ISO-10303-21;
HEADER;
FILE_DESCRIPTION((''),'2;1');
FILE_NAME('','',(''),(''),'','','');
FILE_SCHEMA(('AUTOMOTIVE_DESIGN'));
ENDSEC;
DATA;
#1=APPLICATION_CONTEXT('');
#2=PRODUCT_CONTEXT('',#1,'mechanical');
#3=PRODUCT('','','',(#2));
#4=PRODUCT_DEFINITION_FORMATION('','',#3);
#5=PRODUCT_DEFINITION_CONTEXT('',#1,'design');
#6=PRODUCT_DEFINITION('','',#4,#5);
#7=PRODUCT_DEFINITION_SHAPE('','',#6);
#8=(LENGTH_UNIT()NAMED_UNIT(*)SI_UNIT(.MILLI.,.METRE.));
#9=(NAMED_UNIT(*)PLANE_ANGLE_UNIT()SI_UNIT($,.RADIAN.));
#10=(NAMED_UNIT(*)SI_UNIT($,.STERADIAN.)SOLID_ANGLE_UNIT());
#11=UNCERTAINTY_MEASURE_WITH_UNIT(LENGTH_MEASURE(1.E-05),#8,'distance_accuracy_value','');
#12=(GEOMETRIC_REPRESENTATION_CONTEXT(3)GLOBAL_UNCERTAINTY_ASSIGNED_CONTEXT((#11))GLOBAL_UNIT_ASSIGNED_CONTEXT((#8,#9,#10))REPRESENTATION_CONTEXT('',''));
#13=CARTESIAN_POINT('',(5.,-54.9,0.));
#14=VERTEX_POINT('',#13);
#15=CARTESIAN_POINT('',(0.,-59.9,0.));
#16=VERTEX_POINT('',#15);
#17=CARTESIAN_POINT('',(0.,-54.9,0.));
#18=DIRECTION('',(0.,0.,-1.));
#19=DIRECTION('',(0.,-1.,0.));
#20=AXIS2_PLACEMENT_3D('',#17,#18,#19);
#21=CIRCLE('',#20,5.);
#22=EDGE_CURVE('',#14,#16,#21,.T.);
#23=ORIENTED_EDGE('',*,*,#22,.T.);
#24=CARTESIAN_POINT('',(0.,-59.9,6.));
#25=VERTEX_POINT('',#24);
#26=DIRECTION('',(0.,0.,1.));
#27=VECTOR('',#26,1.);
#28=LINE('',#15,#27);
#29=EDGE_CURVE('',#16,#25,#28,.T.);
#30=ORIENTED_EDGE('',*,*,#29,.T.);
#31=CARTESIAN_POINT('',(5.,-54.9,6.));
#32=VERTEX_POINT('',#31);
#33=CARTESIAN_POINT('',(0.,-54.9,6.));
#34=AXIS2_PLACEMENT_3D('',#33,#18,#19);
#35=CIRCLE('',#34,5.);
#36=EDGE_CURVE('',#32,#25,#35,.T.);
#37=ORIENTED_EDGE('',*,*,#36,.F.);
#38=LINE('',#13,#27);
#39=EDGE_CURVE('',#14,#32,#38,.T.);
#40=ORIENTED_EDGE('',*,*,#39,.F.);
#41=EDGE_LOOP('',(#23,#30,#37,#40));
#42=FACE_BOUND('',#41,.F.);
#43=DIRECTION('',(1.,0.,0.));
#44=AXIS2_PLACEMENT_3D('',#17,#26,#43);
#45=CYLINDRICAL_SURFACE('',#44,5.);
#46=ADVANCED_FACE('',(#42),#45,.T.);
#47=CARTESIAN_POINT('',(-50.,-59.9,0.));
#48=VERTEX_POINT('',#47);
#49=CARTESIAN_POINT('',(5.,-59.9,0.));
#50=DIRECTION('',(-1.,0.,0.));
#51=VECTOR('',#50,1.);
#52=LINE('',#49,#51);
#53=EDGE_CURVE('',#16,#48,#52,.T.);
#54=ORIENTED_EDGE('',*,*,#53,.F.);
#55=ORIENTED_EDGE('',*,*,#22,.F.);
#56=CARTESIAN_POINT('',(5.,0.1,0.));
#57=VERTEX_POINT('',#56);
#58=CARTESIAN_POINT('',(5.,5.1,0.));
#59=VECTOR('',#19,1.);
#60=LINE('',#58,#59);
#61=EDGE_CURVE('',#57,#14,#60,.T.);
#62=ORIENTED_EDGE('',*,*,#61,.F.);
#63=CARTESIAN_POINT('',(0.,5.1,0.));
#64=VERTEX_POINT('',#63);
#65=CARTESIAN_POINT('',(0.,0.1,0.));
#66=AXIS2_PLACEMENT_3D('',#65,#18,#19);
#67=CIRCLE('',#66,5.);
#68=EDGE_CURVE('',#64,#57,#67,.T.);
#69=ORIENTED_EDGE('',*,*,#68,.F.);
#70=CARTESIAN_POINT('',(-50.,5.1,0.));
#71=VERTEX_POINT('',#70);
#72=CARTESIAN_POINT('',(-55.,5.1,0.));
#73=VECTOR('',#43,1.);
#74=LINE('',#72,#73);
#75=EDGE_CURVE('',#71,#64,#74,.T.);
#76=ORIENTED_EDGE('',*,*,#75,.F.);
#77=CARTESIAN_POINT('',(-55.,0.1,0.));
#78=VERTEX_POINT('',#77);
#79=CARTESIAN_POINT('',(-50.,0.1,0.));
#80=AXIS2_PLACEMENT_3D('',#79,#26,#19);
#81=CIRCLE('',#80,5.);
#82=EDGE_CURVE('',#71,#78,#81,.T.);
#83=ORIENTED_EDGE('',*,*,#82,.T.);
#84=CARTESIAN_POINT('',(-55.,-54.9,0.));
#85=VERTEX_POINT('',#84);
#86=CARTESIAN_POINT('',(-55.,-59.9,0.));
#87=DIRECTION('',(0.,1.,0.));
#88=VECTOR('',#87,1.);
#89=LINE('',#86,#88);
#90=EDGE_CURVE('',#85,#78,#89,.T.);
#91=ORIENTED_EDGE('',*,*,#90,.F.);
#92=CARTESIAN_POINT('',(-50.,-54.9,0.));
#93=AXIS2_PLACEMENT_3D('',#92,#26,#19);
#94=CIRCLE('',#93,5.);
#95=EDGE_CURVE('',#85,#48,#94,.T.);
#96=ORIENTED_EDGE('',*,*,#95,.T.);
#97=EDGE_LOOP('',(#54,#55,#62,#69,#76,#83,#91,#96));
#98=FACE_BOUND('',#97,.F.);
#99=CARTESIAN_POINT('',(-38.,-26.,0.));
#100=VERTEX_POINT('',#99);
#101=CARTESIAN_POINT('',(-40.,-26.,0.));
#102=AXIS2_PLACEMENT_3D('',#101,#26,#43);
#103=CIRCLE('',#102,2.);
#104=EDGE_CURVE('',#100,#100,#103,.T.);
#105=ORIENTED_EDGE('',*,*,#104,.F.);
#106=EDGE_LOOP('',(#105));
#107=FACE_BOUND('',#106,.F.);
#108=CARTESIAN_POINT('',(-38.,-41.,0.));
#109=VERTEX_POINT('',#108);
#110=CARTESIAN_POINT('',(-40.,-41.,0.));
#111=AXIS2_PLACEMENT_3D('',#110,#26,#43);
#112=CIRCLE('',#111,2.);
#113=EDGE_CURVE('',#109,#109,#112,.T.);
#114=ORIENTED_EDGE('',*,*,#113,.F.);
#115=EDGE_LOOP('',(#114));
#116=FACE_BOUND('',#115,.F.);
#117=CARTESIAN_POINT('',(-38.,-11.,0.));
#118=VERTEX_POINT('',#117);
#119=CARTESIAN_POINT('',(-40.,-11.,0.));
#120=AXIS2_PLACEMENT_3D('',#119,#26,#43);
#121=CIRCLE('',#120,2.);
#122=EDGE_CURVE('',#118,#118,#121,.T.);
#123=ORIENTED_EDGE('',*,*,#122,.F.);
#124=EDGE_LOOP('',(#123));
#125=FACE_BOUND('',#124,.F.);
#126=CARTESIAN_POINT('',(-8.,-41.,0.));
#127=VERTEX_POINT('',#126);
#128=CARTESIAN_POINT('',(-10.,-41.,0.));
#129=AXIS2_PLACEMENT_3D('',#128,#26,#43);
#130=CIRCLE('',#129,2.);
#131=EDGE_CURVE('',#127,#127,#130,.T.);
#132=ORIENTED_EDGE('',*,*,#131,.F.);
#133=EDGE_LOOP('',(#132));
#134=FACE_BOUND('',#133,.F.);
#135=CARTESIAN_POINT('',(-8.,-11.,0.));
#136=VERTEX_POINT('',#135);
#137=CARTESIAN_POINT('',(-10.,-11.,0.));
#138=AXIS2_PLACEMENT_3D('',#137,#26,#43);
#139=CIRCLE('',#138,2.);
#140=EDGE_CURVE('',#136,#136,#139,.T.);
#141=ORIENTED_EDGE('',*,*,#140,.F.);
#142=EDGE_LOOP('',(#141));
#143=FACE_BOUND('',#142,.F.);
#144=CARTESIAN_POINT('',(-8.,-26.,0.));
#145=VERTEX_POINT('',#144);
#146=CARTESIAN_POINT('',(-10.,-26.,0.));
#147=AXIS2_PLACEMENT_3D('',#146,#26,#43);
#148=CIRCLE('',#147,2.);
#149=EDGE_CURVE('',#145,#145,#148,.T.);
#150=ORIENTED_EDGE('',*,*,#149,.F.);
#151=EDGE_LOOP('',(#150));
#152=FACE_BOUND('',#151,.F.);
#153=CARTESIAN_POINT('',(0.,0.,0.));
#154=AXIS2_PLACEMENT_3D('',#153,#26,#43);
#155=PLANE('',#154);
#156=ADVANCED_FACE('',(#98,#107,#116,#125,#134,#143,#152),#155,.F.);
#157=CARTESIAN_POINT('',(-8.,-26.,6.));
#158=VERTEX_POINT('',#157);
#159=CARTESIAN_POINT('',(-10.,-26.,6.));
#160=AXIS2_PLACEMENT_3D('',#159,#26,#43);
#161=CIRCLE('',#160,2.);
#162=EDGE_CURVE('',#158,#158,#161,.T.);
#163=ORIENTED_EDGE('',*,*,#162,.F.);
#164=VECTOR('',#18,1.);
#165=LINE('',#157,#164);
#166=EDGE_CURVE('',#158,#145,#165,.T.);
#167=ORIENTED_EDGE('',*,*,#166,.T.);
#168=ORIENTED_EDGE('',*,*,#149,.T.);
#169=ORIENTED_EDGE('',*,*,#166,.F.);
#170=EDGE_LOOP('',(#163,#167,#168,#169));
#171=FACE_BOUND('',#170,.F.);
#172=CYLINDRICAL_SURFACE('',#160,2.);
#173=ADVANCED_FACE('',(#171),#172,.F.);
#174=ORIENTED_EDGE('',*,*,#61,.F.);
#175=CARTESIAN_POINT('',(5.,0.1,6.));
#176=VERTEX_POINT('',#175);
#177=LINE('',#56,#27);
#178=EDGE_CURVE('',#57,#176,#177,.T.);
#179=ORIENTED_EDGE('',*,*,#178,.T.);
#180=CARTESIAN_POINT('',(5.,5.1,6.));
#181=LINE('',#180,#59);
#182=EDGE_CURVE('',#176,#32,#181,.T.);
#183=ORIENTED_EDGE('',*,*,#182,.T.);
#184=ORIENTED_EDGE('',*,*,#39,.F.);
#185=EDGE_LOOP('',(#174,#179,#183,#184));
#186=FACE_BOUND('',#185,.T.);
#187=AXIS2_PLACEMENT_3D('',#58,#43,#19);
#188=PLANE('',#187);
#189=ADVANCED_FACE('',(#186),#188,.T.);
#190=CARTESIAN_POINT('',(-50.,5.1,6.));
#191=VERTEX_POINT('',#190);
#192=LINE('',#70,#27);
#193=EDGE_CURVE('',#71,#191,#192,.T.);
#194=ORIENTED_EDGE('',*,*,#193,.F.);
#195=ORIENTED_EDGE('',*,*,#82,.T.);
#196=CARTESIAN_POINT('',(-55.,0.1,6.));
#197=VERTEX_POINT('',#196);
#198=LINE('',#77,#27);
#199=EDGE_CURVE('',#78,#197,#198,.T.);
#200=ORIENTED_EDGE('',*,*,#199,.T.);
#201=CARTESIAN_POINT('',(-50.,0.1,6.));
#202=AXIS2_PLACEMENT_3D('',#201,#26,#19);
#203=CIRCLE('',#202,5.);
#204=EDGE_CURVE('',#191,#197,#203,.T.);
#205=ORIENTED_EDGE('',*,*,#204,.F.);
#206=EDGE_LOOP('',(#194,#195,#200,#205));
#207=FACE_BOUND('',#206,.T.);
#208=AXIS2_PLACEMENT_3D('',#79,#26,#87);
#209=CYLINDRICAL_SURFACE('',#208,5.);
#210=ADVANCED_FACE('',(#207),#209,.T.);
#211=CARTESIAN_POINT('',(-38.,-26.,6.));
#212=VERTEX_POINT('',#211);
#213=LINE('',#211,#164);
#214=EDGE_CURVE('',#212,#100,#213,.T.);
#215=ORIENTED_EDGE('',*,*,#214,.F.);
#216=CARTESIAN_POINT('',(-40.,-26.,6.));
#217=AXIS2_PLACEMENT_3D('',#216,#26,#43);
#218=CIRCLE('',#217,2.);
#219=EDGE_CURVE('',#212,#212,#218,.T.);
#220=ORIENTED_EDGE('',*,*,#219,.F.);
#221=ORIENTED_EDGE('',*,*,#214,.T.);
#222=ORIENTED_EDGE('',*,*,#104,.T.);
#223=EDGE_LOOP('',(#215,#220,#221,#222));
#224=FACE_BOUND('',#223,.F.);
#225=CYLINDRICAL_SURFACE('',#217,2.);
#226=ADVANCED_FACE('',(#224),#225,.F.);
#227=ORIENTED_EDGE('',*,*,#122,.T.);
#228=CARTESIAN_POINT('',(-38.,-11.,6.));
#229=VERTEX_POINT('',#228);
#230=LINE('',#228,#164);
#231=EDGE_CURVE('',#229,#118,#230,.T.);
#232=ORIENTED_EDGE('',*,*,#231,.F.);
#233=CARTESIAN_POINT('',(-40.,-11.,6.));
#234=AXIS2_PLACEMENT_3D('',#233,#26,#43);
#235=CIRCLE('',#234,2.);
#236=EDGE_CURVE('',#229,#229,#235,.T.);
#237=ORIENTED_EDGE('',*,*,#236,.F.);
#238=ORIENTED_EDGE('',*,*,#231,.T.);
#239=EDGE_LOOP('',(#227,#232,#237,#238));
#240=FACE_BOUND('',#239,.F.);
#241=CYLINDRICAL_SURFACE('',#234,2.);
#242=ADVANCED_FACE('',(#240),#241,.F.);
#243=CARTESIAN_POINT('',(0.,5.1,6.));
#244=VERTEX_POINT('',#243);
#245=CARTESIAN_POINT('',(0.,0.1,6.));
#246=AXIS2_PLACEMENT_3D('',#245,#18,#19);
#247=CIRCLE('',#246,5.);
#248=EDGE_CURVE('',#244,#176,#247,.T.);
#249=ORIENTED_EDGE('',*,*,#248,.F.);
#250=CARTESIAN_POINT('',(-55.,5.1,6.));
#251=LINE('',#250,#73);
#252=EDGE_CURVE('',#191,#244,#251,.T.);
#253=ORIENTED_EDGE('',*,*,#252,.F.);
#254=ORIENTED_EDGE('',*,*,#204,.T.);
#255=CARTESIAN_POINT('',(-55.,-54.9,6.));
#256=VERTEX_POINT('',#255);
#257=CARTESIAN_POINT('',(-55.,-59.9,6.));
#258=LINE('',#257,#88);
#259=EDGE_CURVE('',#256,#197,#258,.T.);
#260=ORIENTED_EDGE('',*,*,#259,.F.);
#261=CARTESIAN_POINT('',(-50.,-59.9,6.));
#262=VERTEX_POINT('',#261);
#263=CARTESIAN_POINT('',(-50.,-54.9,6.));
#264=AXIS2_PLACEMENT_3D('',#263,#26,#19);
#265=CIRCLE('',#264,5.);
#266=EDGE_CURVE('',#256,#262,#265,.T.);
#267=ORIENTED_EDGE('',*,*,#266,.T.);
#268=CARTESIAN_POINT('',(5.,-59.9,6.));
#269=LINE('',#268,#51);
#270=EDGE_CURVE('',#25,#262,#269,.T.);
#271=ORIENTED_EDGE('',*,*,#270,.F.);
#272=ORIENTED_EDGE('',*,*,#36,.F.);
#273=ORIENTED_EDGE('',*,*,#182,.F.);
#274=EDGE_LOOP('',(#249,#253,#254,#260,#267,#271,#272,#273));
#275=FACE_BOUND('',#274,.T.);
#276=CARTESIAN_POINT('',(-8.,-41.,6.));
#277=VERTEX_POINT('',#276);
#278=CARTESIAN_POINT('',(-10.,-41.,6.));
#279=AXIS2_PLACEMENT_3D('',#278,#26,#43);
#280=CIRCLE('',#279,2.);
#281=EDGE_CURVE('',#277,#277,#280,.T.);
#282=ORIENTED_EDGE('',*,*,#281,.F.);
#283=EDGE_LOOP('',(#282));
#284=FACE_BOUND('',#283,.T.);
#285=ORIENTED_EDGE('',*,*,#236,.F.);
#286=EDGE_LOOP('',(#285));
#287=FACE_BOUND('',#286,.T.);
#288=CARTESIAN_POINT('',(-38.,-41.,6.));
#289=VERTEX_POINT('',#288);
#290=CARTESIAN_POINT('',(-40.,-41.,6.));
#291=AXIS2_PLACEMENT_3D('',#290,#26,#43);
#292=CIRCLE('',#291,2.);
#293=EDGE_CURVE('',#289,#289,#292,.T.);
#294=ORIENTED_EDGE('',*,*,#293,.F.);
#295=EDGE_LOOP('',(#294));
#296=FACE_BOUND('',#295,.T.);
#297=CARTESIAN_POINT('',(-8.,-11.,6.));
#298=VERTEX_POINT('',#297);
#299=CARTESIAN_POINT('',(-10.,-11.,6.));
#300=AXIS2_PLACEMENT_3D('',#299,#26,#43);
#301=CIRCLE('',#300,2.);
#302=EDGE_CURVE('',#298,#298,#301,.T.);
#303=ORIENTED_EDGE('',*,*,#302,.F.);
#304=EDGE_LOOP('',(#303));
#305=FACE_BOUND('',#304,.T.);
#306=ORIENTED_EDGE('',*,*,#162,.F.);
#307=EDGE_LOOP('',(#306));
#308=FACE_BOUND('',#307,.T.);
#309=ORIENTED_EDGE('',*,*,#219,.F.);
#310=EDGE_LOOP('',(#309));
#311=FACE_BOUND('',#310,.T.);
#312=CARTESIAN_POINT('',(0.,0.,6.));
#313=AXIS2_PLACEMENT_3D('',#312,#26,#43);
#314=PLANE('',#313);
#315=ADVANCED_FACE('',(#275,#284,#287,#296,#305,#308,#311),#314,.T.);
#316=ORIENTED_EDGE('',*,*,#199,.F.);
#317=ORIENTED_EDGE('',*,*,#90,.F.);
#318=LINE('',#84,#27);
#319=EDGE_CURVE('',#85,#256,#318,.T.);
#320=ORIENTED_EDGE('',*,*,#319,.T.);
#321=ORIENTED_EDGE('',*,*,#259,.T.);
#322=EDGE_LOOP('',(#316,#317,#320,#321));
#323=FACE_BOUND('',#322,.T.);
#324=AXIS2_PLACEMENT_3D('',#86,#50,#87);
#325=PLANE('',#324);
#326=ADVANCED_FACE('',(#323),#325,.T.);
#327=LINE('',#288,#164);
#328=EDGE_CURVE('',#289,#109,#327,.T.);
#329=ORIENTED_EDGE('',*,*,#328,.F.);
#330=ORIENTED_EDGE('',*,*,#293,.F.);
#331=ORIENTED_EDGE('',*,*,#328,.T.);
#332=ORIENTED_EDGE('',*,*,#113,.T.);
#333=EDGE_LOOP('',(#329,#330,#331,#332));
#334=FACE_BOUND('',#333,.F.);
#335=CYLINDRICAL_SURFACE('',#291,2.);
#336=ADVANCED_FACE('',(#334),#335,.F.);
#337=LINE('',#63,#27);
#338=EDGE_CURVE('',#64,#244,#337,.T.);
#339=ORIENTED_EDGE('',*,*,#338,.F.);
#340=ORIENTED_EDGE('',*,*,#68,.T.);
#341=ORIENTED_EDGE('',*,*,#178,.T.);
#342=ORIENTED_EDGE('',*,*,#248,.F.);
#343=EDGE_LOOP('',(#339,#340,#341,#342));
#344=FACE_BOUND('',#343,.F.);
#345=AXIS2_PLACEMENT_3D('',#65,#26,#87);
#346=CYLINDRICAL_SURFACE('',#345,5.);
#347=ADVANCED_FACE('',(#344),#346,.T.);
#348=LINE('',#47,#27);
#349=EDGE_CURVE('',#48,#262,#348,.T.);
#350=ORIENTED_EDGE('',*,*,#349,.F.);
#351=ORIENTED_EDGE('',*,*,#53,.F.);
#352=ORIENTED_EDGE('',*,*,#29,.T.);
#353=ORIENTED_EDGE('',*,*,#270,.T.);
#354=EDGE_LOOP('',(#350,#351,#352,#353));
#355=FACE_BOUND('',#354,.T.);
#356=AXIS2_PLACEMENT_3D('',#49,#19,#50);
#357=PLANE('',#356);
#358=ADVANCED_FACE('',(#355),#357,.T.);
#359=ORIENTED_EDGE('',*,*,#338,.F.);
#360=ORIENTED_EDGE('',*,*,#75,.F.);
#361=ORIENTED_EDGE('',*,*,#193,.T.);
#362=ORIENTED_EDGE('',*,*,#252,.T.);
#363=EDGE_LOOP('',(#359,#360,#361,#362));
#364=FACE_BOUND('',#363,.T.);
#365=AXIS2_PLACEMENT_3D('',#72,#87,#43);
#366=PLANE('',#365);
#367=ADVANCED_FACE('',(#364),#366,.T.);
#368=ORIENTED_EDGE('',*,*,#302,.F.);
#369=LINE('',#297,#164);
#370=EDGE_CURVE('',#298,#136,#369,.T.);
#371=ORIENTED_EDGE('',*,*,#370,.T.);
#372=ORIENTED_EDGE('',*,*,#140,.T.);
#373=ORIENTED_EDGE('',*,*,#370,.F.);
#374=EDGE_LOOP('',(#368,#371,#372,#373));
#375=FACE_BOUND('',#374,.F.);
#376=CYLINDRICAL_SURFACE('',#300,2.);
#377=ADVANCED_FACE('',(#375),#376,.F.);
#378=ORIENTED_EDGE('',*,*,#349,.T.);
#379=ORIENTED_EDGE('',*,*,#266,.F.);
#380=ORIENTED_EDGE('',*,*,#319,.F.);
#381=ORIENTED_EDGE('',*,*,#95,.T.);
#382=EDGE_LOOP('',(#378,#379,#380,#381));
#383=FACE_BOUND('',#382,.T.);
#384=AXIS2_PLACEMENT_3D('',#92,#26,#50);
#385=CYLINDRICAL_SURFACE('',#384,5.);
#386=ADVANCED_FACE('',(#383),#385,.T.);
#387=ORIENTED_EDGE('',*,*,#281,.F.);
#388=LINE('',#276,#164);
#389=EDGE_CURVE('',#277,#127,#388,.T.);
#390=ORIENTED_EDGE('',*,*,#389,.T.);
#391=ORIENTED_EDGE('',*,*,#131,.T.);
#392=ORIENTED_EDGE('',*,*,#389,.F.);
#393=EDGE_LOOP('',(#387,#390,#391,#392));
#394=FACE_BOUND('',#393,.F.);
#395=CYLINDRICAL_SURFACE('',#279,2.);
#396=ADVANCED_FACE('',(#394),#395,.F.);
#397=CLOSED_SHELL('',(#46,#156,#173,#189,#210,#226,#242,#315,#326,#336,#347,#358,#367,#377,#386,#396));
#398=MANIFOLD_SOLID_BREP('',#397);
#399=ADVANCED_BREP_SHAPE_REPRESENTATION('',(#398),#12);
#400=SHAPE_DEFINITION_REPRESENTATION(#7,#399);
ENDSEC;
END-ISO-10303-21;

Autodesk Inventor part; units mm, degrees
ref_plane "YZ Plane" through (0, 0, 0) normal (1, 0, 0) x (0, 1, 0)
ref_plane "XZ Plane" through (0, 0, 0) normal (0, 1, 0) x (-1, 0, 0)
ref_plane "XY Plane" through (0, 0, 0) normal (0, 0, 1) x (1, 0, 0)
sketch "Sketch1" plane through (0, 0, 0) normal (0, 0, 1) x (1, 0, 0)
  line L0 (0, -5.0856) -> (0, -49.3) projected
  line L1 (0, -54.8) -> (-50, -54.8) projected
  line L2 (-50, -5.0856) -> (-50, -49.3) projected
  line L3 (-5.3931, 0) -> (-44.6069, 0) projected
  line L4 (-50, -27.1928) -> (0, -27.1928) construction
  line L5 (-25, 0) -> (-25, -54.8) construction
  line L6 (-55, 5.1) -> (5, 5.1)
  line L7 (5, 5.1) -> (5, -59.9)
  line L8 (5, -59.9) -> (-55, -59.9)
  line L9 (-55, -59.9) -> (-55, 5.1)
  line L10 (-55, 5.1) -> (5, -59.9) construction
  line L11 (5, 5.1) -> (-55, -59.9) construction
  point P0 (0, 0)
  point P1 (-25, -27.4)
  dimension "d0" = 60
  dimension "d1" = 65
extrude "Extrusion1" add sketch "Sketch1" along normal blind 6
sketch "Sketch2" plane through (0, 0, 6) normal (0, 0, 1) x (1, 0, 0)
  circle A0 centre (-40, -11) radius 2 projected
  circle A1 centre (-40, -26) radius 2 projected
  circle A2 centre (-40, -41) radius 2 projected
  circle A3 centre (-10, -41) radius 2 projected
  circle A4 centre (-10, -26) radius 2 projected
  circle A5 centre (-10, -11) radius 2 projected
  point P0 (0, 0)
extrude "Extrusion2" cut sketch "Sketch2" against normal blind 6
fillet "Fillet1" radius 5 4 edges at (-55, -59.9, 3) (-55, 5.1, 3) (5, -59.9, 3) (5, 5.1, 3)
properties part number "Wheel height spacers"
